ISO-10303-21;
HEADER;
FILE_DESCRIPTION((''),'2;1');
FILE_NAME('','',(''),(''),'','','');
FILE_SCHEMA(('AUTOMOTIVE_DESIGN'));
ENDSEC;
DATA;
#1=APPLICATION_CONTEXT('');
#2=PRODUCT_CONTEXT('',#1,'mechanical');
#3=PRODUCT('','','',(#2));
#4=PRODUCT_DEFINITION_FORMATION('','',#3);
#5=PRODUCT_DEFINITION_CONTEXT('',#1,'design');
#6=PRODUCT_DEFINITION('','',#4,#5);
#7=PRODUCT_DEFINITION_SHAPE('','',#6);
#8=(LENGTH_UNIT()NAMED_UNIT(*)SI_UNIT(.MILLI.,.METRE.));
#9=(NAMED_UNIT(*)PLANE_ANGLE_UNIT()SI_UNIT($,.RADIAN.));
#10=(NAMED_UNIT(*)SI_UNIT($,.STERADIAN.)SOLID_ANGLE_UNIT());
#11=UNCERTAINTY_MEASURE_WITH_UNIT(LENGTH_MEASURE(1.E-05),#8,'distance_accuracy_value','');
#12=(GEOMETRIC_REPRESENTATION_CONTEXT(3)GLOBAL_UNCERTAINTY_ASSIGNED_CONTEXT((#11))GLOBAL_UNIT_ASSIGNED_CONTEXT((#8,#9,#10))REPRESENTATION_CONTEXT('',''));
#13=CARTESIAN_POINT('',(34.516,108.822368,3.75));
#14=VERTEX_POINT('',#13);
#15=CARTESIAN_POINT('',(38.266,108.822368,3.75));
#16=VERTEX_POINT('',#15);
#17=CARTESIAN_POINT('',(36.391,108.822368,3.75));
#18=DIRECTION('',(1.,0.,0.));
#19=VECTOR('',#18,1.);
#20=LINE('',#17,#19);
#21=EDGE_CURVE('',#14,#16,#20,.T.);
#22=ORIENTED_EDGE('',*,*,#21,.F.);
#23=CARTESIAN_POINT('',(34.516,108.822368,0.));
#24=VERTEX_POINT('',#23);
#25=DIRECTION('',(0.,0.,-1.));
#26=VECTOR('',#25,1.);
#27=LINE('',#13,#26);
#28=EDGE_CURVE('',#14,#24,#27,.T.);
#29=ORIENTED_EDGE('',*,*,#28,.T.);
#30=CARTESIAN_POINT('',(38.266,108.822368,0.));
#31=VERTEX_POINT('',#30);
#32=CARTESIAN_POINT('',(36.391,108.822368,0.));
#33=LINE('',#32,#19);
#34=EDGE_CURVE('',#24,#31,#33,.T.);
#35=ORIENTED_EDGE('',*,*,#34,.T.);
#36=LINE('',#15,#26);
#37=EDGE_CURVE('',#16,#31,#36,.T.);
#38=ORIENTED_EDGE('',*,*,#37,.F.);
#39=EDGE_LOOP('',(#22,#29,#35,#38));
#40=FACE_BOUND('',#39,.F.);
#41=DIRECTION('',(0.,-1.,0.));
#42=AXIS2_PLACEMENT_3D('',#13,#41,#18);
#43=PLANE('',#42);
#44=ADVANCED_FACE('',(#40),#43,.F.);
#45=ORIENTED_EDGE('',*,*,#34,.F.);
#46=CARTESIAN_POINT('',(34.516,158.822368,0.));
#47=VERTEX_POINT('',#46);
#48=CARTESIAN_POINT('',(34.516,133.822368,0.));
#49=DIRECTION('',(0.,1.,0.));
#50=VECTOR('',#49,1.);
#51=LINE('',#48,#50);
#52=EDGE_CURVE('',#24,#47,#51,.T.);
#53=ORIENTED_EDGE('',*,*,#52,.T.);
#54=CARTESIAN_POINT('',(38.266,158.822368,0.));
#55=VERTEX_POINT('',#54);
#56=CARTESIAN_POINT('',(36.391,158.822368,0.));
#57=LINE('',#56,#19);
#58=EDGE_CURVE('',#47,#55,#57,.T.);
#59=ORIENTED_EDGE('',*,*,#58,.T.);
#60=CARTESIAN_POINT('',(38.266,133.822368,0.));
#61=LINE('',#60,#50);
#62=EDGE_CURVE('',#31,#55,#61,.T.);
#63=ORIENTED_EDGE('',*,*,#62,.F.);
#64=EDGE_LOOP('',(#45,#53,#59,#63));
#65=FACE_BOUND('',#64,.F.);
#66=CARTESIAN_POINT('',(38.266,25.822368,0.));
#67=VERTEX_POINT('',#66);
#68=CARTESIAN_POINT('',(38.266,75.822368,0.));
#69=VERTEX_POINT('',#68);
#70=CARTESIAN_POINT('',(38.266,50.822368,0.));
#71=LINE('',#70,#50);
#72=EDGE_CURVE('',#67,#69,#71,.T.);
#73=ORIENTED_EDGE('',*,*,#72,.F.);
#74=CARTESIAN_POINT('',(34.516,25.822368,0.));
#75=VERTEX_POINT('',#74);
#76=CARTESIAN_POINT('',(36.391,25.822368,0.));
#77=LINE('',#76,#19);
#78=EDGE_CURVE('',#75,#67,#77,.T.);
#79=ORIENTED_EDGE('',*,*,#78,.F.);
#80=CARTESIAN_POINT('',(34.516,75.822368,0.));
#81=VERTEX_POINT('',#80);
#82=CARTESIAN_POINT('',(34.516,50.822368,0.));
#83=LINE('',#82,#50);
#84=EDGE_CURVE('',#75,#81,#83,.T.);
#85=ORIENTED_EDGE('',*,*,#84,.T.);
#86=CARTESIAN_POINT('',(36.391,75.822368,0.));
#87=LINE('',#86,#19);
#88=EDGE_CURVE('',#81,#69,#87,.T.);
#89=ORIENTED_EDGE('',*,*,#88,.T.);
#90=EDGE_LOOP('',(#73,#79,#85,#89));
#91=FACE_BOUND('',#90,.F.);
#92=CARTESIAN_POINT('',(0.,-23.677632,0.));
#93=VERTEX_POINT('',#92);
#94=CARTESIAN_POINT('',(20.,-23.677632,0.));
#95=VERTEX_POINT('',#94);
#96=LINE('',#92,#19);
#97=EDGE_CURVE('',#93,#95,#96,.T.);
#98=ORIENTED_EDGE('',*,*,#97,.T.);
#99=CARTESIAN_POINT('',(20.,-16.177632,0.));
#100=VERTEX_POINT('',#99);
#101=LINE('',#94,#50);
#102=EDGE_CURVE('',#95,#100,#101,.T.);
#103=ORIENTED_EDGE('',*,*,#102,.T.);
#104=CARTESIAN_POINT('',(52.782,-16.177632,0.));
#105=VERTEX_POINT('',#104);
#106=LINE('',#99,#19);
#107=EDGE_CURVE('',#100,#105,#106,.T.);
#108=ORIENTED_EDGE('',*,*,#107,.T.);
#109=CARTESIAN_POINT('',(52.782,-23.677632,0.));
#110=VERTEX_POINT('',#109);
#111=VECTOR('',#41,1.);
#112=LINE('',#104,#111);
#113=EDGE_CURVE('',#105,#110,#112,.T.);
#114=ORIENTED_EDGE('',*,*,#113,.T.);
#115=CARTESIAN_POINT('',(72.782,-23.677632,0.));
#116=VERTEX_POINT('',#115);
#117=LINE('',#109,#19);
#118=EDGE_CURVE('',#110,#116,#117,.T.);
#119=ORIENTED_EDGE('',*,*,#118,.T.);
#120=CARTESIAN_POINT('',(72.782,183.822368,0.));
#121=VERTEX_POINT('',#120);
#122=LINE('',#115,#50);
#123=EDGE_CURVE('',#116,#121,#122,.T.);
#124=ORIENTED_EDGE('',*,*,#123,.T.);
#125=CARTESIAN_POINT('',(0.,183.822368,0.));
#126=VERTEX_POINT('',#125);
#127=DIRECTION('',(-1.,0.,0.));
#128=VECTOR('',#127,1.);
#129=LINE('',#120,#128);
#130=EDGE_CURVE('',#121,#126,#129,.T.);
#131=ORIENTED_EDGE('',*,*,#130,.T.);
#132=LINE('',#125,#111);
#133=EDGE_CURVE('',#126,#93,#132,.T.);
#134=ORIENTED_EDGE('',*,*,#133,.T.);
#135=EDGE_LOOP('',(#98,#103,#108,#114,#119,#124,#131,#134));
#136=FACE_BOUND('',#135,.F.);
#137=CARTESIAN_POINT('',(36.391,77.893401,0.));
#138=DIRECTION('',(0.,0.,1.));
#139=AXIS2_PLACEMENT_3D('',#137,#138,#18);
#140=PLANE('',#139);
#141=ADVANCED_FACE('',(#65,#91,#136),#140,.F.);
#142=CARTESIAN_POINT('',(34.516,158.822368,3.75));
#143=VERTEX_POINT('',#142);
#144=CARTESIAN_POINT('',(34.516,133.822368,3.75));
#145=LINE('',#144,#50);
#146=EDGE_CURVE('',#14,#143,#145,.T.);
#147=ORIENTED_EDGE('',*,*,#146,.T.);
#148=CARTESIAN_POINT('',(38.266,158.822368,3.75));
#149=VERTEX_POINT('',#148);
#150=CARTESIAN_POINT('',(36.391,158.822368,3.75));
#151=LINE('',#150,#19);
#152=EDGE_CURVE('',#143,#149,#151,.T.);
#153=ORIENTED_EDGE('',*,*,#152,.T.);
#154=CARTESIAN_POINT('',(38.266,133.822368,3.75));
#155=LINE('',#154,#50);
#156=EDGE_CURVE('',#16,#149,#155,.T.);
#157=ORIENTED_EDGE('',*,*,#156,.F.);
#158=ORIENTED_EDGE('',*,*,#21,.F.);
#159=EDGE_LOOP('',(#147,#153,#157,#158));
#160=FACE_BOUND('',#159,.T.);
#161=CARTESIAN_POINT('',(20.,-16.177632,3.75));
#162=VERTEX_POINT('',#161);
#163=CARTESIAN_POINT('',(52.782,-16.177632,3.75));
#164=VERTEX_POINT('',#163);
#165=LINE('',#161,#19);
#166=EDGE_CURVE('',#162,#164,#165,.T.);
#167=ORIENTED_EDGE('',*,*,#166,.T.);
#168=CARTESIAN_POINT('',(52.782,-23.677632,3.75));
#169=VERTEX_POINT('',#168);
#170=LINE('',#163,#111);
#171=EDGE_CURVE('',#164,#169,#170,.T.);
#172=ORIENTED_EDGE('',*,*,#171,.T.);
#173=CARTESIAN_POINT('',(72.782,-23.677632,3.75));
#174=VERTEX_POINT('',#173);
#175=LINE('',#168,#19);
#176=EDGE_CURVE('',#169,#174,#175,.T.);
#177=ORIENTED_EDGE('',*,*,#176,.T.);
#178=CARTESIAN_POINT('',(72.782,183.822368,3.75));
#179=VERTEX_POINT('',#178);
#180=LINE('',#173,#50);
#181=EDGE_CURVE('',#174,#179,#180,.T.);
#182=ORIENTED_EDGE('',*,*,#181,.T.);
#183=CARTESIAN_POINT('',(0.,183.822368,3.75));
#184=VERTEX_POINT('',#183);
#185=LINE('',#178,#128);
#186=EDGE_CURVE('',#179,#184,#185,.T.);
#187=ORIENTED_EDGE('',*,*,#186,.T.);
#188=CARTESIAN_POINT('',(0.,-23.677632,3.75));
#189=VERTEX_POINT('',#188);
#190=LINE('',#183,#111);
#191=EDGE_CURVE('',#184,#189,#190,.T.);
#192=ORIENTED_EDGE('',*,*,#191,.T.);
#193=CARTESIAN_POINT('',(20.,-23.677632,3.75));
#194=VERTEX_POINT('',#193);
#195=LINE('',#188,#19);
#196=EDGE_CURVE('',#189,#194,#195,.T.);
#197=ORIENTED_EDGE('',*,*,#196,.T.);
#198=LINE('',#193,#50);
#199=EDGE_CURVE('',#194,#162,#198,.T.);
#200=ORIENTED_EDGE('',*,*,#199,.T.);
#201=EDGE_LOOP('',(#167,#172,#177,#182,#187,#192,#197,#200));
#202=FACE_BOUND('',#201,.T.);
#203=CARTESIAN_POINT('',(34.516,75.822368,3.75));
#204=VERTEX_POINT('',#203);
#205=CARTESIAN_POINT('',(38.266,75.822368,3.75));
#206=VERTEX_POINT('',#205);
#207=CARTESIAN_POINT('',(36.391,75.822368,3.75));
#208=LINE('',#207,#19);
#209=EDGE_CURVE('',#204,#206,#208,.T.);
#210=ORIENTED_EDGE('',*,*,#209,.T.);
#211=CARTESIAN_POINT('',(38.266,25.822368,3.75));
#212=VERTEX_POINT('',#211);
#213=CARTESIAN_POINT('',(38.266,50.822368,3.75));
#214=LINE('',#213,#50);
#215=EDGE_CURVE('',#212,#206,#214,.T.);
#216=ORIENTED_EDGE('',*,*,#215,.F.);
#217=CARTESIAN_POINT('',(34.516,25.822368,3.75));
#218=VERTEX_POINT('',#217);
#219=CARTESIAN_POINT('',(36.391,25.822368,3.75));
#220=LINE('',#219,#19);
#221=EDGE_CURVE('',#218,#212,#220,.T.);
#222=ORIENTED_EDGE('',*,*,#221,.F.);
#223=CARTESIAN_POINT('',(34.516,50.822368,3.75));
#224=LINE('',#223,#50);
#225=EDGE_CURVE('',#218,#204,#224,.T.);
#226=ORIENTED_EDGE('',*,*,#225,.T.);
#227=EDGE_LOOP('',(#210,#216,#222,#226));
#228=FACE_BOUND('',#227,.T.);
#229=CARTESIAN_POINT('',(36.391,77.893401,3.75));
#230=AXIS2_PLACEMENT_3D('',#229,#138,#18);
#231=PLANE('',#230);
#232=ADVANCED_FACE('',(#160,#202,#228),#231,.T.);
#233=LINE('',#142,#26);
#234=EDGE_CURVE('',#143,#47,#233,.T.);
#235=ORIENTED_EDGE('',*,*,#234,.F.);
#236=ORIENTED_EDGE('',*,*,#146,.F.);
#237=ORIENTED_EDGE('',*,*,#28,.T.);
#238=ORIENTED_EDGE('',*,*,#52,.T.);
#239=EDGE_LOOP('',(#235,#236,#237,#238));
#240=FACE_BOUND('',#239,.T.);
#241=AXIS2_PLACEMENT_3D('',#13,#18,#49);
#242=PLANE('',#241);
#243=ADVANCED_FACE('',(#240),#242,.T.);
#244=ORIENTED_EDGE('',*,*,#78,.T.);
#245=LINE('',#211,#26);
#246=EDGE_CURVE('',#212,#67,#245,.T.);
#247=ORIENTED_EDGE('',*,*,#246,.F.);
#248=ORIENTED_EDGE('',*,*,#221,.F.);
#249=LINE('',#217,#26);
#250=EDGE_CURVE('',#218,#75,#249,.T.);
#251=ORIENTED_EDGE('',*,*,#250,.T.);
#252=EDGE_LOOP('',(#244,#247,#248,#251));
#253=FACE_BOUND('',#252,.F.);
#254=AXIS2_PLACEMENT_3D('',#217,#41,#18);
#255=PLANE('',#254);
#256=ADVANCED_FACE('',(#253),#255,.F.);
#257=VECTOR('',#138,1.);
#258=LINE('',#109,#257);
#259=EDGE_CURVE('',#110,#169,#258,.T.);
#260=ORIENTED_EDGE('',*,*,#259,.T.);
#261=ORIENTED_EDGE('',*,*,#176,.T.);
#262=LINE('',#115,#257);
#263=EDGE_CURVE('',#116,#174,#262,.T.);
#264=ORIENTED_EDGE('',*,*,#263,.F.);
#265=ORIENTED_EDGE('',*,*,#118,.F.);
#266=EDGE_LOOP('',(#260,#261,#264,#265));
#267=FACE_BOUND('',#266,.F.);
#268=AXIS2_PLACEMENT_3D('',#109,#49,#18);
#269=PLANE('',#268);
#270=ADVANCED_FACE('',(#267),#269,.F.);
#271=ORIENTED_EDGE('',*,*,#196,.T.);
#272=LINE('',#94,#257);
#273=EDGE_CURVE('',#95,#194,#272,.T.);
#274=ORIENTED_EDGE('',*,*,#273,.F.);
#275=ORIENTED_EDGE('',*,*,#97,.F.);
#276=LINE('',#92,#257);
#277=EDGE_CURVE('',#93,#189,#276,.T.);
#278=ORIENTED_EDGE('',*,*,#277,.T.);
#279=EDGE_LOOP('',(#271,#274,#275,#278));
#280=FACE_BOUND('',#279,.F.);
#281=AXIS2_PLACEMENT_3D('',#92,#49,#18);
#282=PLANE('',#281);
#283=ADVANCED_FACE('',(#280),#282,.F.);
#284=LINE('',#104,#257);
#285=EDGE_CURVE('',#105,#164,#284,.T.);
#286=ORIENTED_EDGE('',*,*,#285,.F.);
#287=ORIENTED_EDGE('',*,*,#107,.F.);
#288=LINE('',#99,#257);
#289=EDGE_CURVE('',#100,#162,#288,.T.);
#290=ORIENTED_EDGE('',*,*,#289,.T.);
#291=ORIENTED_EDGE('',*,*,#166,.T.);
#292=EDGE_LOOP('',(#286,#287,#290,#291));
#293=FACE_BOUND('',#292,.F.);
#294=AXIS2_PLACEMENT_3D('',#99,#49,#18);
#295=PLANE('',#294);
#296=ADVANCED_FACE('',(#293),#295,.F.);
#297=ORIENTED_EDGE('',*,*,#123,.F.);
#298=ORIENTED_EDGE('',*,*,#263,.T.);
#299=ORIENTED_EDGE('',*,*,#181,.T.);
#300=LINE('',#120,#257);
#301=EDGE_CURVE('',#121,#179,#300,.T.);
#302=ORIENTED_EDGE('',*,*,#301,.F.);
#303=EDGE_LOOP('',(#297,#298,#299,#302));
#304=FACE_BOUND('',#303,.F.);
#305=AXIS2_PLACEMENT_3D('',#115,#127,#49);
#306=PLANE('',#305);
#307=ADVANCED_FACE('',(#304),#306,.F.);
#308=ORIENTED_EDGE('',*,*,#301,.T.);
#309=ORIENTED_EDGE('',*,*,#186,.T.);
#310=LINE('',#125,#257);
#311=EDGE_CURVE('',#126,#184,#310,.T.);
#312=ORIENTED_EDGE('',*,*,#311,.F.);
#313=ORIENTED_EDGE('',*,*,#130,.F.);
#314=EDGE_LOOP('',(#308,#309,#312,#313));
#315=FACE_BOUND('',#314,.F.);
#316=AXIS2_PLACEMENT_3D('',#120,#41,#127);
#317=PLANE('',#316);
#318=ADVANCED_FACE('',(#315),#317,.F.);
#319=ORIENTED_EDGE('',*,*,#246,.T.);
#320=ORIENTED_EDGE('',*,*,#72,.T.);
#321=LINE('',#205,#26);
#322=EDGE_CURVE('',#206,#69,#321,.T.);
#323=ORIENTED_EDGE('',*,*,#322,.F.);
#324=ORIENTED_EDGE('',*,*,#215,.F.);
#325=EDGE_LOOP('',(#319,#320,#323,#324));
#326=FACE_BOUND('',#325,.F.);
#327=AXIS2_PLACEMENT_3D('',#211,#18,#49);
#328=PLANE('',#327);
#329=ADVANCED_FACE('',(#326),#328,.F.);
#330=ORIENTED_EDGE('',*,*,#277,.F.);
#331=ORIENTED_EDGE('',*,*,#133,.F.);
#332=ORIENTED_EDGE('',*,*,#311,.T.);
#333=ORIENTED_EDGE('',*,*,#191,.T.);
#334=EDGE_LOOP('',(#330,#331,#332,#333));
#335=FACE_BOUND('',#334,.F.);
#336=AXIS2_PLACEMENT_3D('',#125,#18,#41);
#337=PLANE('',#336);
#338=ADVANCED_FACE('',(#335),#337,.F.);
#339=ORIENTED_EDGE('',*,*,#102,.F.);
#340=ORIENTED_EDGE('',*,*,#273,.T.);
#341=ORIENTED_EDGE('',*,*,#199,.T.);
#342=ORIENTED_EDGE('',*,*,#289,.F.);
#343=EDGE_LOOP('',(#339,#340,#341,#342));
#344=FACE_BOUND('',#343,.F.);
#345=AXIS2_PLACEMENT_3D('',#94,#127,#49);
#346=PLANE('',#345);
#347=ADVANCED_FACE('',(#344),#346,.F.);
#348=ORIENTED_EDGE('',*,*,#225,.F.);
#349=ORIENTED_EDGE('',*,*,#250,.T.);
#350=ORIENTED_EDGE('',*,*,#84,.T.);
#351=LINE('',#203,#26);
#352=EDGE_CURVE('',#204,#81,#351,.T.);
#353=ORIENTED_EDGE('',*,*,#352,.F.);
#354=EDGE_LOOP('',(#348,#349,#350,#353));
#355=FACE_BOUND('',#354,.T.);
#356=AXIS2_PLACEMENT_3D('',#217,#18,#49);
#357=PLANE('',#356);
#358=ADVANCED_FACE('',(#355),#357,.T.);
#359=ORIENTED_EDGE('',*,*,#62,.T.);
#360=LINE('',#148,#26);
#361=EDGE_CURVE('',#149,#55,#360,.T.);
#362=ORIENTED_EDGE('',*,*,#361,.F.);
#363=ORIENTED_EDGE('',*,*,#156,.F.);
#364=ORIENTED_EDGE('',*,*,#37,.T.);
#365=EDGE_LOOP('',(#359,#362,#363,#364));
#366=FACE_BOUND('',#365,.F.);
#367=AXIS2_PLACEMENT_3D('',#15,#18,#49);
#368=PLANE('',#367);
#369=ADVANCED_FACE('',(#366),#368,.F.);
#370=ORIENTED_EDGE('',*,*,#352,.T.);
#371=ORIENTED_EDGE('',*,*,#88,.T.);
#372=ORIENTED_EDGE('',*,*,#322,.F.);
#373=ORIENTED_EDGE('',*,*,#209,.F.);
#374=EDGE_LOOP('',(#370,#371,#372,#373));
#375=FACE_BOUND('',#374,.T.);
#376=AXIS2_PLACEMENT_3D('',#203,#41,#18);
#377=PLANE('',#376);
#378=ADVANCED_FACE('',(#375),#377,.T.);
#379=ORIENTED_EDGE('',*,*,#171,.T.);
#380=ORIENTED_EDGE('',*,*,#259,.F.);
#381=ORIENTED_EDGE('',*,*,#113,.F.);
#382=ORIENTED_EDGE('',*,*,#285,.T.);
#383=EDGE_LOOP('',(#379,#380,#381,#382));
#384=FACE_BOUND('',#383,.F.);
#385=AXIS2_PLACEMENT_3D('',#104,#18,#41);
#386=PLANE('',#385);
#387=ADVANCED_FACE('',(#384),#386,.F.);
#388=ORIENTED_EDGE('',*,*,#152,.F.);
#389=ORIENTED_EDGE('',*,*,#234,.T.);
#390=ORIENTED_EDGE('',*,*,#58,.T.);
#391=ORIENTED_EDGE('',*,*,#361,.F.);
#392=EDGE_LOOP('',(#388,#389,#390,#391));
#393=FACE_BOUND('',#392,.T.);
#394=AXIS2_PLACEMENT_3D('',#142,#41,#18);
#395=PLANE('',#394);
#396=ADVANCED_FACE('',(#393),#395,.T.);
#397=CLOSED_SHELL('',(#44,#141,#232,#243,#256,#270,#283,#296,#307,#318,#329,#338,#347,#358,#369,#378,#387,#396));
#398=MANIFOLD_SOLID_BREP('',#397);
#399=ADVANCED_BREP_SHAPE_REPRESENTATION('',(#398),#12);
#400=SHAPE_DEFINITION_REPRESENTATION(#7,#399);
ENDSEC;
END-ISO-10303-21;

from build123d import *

# Parameters (mm, degrees)
F1_DEPTH = 3.75
F2_W     = 3.75
F2_H     = 50
F3_DEPTH = 3.75


with BuildPart() as f1:
    # F0 (on Top) → F1 (new body)
    with BuildSketch(Plane.XY):
        Polygon((20, -23.677632), (20, -16.177632), (52.782, -16.177632), (52.782, -23.677632), (72.782, -23.677632), (72.782, -16.177632), (72.782, 183.822368), (0, 183.822368), (0, -16.177632), (0, -23.677632), align=None)
    extrude(amount=F1_DEPTH)

    # F2 (on face) → F3 (cut)
    with BuildSketch(Plane.XY.offset(3.75)):
        with Locations((36.391, 50.822368)):
            Rectangle(F2_W, F2_H)
        with Locations((36.391, 133.822368)):
            Rectangle(F2_W, F2_H)
    extrude(amount=-F3_DEPTH, mode=Mode.SUBTRACT)


solid = f1.part
